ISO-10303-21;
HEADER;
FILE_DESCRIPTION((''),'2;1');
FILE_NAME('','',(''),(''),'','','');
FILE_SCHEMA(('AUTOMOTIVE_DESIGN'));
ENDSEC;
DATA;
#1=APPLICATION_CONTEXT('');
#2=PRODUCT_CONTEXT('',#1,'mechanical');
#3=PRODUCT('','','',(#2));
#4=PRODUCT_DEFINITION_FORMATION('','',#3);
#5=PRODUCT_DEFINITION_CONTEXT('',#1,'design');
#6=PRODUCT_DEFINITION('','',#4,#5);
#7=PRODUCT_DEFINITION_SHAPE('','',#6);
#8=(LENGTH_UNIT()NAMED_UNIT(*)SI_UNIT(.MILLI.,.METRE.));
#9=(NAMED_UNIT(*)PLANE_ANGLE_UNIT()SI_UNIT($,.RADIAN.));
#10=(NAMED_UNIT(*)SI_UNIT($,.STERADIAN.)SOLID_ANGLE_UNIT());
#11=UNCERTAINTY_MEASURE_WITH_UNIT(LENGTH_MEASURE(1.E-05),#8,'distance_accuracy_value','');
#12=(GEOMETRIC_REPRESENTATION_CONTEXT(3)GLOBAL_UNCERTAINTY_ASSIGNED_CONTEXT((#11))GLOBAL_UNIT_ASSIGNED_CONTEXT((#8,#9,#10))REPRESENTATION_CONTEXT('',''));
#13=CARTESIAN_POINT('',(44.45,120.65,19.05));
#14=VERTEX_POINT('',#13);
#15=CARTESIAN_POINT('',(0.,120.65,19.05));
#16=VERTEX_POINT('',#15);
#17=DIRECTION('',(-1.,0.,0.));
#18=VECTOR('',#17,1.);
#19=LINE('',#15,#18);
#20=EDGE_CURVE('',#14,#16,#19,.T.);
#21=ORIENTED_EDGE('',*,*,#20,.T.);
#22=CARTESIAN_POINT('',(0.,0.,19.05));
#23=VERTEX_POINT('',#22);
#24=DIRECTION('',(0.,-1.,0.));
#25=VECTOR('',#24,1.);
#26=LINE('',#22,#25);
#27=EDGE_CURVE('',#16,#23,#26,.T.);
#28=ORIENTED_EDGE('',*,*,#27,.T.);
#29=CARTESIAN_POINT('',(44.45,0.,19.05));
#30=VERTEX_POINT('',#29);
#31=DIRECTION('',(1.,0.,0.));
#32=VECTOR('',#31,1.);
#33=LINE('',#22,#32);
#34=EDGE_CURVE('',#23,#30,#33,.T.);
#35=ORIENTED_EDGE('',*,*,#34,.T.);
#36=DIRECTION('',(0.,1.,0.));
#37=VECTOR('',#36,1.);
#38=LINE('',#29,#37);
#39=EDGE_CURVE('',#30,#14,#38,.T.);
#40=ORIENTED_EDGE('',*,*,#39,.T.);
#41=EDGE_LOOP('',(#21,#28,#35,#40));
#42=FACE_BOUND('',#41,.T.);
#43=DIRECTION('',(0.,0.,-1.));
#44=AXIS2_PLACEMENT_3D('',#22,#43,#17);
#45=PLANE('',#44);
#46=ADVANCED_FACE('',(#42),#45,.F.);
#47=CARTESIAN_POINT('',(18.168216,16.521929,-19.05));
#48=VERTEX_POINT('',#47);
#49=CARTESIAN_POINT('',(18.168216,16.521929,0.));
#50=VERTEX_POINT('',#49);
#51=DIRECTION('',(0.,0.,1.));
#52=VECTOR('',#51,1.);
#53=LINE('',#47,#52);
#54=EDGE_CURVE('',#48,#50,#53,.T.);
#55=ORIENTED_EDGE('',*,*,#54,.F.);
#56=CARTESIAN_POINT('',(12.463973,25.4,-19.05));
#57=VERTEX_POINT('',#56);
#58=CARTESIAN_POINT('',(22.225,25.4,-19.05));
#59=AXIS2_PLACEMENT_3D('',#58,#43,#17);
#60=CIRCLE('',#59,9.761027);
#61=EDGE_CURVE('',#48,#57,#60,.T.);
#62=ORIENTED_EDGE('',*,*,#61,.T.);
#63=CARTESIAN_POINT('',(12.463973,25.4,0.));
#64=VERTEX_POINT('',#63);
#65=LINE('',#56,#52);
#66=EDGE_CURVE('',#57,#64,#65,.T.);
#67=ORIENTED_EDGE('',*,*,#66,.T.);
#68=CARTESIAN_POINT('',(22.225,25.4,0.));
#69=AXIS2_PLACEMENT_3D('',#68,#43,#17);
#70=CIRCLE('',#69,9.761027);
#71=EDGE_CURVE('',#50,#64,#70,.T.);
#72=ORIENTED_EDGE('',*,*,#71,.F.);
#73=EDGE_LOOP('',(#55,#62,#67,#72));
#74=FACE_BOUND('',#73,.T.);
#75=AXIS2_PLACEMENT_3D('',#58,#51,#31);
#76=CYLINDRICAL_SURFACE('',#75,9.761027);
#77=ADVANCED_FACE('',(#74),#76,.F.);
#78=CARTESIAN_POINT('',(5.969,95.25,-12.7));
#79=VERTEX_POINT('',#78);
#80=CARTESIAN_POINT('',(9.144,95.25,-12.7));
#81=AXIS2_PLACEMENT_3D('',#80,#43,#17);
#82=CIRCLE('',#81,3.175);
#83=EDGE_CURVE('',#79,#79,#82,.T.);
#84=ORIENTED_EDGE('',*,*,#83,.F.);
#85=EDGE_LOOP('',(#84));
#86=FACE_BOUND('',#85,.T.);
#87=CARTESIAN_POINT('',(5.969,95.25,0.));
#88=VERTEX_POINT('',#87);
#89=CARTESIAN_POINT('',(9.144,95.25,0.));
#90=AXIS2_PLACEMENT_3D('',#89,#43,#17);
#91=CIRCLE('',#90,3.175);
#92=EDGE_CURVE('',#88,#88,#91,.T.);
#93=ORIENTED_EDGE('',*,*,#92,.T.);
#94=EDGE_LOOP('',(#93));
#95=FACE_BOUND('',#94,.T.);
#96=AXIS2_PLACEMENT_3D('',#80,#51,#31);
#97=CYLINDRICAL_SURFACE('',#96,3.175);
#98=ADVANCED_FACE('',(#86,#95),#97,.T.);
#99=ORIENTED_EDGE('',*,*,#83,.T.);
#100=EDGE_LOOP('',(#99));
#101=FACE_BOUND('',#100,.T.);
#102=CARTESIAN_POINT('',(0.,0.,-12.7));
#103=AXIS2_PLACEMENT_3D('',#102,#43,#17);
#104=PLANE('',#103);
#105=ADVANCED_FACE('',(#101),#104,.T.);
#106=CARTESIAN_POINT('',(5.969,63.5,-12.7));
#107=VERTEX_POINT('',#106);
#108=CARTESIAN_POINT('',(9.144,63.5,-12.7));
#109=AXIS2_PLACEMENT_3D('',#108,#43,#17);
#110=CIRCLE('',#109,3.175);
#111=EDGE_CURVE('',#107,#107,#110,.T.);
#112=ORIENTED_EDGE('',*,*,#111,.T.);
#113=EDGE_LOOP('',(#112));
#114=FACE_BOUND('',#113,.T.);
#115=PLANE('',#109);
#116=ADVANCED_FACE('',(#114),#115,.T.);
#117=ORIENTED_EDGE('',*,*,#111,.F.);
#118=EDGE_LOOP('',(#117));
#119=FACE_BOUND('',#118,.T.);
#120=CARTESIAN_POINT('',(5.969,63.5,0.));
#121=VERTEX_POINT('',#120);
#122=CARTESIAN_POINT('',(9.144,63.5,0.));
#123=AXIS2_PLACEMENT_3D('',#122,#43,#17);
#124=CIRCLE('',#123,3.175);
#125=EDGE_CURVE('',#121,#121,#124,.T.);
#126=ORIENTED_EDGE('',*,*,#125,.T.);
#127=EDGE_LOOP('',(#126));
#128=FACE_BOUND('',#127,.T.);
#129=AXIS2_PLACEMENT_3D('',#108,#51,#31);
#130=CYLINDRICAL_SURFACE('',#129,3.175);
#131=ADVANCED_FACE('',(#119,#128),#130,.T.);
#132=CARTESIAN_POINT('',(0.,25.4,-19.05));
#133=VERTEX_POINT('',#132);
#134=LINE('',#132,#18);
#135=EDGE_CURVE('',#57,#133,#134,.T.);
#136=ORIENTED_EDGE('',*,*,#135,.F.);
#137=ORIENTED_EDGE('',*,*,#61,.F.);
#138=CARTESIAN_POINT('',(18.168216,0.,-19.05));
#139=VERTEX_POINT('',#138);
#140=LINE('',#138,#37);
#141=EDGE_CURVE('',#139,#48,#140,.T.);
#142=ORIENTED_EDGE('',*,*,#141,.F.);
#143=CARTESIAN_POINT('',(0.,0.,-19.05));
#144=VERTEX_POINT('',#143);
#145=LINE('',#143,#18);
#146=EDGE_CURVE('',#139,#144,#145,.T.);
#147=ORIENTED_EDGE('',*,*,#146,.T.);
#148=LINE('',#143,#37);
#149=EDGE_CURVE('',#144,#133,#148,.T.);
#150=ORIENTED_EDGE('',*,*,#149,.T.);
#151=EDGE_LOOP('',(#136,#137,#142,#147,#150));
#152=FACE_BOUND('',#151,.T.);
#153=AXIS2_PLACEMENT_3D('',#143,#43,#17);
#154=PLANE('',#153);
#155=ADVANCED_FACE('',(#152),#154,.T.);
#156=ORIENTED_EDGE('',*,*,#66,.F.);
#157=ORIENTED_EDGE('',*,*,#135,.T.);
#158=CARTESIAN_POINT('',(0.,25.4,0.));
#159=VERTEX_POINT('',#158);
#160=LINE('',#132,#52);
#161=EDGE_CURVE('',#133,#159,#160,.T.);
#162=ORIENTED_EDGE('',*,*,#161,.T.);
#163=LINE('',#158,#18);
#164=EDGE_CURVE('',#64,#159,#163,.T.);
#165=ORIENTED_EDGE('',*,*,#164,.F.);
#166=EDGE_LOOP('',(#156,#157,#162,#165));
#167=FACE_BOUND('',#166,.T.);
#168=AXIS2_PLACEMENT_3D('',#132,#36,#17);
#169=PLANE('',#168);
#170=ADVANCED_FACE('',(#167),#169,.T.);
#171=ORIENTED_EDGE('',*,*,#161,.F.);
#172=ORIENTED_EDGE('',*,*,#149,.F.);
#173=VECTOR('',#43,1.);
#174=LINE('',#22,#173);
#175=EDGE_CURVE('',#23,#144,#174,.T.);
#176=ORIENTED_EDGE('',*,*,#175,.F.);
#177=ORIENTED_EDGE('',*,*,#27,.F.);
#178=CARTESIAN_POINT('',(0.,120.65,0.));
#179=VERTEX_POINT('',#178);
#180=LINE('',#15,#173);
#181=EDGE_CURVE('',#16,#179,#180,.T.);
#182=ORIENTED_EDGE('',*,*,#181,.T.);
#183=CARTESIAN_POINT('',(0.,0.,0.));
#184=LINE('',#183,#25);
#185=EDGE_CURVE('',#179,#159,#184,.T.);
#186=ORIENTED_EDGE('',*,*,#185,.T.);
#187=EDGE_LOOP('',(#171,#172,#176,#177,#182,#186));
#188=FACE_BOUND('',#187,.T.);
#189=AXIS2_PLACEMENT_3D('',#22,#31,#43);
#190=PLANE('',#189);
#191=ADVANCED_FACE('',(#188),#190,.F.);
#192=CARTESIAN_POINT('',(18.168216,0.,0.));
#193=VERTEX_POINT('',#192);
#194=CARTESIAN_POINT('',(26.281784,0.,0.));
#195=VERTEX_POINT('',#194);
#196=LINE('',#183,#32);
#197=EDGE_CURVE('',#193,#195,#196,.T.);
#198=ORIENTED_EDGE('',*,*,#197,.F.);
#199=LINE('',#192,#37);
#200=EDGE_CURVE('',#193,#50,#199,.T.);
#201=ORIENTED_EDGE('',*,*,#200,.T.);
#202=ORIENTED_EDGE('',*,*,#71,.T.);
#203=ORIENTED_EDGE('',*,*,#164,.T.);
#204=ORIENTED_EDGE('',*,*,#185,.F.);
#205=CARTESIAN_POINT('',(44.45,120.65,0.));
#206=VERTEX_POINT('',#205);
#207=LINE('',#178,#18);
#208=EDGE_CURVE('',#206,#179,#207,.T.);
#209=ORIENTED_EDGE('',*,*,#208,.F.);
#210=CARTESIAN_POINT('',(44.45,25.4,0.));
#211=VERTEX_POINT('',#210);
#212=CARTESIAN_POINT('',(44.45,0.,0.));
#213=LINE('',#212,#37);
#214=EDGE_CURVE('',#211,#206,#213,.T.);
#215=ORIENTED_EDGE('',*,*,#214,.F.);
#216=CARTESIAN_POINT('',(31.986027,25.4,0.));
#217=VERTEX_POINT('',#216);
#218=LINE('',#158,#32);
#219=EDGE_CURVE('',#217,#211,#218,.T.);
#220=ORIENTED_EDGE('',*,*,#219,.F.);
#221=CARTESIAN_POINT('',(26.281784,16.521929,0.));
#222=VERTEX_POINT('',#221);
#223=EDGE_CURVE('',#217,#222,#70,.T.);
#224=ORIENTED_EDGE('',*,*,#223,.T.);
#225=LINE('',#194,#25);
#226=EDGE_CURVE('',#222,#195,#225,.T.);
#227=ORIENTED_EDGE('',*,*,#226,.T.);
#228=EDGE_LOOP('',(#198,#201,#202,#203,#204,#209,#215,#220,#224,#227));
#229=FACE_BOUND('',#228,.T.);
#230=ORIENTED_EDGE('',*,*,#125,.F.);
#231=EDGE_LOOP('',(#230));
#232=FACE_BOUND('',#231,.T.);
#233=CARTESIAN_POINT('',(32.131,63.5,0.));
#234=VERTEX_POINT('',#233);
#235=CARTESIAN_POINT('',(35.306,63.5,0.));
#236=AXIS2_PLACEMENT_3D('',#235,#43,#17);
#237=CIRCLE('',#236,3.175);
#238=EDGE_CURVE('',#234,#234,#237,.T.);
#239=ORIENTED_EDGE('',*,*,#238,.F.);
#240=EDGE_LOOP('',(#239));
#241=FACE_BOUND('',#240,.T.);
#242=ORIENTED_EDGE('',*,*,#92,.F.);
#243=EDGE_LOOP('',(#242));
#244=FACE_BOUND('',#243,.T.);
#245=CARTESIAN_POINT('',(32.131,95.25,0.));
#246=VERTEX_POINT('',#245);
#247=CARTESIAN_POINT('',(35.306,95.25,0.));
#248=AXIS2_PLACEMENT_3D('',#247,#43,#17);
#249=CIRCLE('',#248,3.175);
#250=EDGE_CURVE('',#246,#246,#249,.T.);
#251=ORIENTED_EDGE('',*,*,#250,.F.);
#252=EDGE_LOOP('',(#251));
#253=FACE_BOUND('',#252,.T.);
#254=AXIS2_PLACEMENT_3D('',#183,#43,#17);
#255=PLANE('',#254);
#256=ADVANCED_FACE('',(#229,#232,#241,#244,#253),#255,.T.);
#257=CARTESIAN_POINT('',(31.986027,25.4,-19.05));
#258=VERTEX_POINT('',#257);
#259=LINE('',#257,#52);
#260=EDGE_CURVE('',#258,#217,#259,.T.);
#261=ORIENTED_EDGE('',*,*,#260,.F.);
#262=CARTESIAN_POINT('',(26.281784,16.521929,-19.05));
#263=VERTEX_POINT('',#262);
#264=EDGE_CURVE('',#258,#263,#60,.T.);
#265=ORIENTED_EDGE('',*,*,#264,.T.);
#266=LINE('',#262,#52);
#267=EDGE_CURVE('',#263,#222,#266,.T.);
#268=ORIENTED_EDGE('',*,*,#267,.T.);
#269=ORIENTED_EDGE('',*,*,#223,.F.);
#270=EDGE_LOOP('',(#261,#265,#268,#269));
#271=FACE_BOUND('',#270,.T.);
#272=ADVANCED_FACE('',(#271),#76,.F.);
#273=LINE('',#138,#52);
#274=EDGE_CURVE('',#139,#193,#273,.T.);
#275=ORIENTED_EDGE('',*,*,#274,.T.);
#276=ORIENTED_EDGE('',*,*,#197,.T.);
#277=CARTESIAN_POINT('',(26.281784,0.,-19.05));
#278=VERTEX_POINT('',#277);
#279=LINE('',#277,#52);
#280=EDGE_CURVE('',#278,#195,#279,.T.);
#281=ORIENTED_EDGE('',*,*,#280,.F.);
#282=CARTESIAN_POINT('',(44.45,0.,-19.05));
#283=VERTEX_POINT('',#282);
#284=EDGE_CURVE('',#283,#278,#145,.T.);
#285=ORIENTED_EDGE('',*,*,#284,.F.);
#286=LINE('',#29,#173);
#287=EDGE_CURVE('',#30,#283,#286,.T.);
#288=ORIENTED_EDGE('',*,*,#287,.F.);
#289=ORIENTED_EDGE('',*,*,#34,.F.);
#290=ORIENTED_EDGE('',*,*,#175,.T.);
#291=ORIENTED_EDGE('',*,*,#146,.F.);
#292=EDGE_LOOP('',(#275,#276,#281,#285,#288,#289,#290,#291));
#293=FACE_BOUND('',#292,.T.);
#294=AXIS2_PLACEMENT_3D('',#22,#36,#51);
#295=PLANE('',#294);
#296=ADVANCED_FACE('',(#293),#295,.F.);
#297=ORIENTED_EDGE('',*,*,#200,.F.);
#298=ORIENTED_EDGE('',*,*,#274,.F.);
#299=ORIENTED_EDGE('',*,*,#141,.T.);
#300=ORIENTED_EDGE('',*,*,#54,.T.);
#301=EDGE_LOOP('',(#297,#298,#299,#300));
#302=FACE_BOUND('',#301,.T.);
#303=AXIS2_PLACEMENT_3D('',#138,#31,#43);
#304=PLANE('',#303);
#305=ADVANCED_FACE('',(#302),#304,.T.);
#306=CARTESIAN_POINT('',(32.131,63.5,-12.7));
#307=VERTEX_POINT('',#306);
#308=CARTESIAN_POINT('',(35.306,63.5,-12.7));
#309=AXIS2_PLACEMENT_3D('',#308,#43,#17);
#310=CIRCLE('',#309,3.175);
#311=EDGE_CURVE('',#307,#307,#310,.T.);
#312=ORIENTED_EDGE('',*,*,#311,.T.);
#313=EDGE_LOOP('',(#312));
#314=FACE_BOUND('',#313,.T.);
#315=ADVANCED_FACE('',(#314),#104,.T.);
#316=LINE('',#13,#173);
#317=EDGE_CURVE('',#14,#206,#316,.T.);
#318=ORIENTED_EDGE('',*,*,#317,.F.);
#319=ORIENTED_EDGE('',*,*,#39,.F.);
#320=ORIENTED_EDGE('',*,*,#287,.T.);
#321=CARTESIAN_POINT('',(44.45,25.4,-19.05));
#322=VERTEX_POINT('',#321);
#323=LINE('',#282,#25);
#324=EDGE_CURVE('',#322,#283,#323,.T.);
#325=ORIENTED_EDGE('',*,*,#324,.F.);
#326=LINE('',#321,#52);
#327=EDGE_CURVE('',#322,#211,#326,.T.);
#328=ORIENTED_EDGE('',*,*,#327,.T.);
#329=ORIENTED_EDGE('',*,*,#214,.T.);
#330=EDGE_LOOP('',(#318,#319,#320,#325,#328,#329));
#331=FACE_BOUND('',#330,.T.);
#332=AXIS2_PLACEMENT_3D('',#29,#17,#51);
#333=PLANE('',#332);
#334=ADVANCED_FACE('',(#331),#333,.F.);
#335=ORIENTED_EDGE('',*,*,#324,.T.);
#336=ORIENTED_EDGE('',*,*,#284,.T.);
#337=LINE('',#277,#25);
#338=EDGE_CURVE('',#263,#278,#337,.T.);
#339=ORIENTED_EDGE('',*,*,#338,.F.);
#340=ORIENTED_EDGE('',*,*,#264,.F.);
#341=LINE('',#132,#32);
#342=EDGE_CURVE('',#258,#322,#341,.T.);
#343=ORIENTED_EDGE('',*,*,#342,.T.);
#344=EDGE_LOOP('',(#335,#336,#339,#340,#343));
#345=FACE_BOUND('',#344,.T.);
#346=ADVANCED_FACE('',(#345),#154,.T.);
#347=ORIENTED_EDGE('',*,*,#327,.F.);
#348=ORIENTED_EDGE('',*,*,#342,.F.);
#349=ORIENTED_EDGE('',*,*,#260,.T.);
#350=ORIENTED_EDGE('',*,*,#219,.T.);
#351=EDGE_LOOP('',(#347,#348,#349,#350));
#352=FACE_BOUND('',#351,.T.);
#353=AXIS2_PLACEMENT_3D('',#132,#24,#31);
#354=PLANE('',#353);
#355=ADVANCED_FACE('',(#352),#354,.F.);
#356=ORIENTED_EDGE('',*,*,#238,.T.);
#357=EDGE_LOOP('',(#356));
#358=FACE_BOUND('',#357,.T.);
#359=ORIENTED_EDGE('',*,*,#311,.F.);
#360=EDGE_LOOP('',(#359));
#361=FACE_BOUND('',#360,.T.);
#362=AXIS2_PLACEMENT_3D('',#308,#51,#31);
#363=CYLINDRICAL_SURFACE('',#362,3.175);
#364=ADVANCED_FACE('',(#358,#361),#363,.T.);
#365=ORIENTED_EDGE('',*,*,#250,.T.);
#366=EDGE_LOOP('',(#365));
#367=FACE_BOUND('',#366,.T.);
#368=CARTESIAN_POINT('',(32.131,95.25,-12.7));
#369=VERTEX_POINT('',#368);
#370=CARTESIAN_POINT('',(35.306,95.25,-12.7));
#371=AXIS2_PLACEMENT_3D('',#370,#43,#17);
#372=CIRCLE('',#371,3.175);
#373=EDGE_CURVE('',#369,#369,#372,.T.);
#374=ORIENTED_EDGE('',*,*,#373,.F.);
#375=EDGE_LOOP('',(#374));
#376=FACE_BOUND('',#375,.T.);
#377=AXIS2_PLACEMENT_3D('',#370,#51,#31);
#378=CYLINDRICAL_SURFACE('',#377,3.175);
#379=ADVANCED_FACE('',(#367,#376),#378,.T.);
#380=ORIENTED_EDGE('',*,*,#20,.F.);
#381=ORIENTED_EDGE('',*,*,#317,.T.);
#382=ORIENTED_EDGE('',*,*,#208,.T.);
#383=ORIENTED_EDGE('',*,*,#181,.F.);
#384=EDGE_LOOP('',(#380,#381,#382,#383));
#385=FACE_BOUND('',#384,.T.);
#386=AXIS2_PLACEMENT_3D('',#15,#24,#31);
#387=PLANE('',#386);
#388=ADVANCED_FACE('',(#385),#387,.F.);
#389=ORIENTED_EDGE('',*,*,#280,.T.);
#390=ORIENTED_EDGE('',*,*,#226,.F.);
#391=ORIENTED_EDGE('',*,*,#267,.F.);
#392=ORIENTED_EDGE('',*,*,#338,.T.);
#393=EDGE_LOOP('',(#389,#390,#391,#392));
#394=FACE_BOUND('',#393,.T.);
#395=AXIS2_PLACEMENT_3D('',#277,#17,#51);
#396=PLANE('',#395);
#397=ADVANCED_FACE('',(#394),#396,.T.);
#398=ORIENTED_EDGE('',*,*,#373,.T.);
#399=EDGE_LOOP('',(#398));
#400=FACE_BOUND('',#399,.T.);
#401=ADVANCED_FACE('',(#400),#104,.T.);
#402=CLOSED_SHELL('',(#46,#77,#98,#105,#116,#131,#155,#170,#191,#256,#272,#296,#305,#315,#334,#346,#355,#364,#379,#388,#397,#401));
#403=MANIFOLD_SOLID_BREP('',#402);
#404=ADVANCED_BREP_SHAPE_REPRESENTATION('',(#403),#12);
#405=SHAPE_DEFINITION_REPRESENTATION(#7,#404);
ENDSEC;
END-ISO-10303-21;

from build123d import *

# Parameters (mm, degrees)
SKETCH1_W           = 44.45
SKETCH1_H           = 120.65
BOSS_EXTRUDE1_DEPTH = 19.05
BOSS_EXTRUDE2_DEPTH = 19.05
SKETCH2_4_R         = 3.175
BOSS_EXTRUDE3_DEPTH = 12.7


with BuildPart() as part:
    # Sketch1 → Boss-Extrude1 (new body)
    with BuildSketch(Plane.XY):
        with Locations((22.225, 60.325)):
            Rectangle(SKETCH1_W, SKETCH1_H)
    extrude(amount=BOSS_EXTRUDE1_DEPTH)

    # Sketch2 → Boss-Extrude2 (add)
    with BuildSketch(Plane(origin=(0, 0, 0), x_dir=(-1, 0, 0), z_dir=(0, 0, -1))):
        with BuildLine():
            ThreePointArc((-26.281784125, 16.521928603), (-30.437065172, 20.123672226), (-31.986027055, 25.4))
            Line((-31.986027055, 25.4), (-44.45, 25.4))
            Line((-44.45, 25.4), (-44.45, 0))
            Line((-44.45, 0), (-26.281784125, 0))
            Line((-26.281784125, 0), (-26.281784125, 16.521928603))
        make_face()
        with BuildLine():
            Line((0, 25.4), (-12.463972945, 25.4))
            ThreePointArc((-12.463972945, 25.4), (-14.012934828, 20.123672226), (-18.168215875, 16.521928603))
            Line((-18.168215875, 16.521928603), (-18.168215875, 0))
            Line((-18.168215875, 0), (0, 0))
            Line((0, 0), (0, 25.4))
        make_face()
    extrude(amount=BOSS_EXTRUDE2_DEPTH)

    # Sketch2_4 → Boss-Extrude3 (add)
    with BuildSketch(Plane(origin=(0, 0, 0), x_dir=(-1, 0, 0), z_dir=(0, 0, -1))):
        with Locations((-35.306, 95.25)):
            Circle(SKETCH2_4_R)
        with Locations((-35.306, 63.5)):
            Circle(SKETCH2_4_R)
        with Locations((-9.144, 95.25)):
            Circle(SKETCH2_4_R)
        with Locations((-9.144, 63.5)):
            Circle(SKETCH2_4_R)
    extrude(amount=BOSS_EXTRUDE3_DEPTH)


solid = part.part
